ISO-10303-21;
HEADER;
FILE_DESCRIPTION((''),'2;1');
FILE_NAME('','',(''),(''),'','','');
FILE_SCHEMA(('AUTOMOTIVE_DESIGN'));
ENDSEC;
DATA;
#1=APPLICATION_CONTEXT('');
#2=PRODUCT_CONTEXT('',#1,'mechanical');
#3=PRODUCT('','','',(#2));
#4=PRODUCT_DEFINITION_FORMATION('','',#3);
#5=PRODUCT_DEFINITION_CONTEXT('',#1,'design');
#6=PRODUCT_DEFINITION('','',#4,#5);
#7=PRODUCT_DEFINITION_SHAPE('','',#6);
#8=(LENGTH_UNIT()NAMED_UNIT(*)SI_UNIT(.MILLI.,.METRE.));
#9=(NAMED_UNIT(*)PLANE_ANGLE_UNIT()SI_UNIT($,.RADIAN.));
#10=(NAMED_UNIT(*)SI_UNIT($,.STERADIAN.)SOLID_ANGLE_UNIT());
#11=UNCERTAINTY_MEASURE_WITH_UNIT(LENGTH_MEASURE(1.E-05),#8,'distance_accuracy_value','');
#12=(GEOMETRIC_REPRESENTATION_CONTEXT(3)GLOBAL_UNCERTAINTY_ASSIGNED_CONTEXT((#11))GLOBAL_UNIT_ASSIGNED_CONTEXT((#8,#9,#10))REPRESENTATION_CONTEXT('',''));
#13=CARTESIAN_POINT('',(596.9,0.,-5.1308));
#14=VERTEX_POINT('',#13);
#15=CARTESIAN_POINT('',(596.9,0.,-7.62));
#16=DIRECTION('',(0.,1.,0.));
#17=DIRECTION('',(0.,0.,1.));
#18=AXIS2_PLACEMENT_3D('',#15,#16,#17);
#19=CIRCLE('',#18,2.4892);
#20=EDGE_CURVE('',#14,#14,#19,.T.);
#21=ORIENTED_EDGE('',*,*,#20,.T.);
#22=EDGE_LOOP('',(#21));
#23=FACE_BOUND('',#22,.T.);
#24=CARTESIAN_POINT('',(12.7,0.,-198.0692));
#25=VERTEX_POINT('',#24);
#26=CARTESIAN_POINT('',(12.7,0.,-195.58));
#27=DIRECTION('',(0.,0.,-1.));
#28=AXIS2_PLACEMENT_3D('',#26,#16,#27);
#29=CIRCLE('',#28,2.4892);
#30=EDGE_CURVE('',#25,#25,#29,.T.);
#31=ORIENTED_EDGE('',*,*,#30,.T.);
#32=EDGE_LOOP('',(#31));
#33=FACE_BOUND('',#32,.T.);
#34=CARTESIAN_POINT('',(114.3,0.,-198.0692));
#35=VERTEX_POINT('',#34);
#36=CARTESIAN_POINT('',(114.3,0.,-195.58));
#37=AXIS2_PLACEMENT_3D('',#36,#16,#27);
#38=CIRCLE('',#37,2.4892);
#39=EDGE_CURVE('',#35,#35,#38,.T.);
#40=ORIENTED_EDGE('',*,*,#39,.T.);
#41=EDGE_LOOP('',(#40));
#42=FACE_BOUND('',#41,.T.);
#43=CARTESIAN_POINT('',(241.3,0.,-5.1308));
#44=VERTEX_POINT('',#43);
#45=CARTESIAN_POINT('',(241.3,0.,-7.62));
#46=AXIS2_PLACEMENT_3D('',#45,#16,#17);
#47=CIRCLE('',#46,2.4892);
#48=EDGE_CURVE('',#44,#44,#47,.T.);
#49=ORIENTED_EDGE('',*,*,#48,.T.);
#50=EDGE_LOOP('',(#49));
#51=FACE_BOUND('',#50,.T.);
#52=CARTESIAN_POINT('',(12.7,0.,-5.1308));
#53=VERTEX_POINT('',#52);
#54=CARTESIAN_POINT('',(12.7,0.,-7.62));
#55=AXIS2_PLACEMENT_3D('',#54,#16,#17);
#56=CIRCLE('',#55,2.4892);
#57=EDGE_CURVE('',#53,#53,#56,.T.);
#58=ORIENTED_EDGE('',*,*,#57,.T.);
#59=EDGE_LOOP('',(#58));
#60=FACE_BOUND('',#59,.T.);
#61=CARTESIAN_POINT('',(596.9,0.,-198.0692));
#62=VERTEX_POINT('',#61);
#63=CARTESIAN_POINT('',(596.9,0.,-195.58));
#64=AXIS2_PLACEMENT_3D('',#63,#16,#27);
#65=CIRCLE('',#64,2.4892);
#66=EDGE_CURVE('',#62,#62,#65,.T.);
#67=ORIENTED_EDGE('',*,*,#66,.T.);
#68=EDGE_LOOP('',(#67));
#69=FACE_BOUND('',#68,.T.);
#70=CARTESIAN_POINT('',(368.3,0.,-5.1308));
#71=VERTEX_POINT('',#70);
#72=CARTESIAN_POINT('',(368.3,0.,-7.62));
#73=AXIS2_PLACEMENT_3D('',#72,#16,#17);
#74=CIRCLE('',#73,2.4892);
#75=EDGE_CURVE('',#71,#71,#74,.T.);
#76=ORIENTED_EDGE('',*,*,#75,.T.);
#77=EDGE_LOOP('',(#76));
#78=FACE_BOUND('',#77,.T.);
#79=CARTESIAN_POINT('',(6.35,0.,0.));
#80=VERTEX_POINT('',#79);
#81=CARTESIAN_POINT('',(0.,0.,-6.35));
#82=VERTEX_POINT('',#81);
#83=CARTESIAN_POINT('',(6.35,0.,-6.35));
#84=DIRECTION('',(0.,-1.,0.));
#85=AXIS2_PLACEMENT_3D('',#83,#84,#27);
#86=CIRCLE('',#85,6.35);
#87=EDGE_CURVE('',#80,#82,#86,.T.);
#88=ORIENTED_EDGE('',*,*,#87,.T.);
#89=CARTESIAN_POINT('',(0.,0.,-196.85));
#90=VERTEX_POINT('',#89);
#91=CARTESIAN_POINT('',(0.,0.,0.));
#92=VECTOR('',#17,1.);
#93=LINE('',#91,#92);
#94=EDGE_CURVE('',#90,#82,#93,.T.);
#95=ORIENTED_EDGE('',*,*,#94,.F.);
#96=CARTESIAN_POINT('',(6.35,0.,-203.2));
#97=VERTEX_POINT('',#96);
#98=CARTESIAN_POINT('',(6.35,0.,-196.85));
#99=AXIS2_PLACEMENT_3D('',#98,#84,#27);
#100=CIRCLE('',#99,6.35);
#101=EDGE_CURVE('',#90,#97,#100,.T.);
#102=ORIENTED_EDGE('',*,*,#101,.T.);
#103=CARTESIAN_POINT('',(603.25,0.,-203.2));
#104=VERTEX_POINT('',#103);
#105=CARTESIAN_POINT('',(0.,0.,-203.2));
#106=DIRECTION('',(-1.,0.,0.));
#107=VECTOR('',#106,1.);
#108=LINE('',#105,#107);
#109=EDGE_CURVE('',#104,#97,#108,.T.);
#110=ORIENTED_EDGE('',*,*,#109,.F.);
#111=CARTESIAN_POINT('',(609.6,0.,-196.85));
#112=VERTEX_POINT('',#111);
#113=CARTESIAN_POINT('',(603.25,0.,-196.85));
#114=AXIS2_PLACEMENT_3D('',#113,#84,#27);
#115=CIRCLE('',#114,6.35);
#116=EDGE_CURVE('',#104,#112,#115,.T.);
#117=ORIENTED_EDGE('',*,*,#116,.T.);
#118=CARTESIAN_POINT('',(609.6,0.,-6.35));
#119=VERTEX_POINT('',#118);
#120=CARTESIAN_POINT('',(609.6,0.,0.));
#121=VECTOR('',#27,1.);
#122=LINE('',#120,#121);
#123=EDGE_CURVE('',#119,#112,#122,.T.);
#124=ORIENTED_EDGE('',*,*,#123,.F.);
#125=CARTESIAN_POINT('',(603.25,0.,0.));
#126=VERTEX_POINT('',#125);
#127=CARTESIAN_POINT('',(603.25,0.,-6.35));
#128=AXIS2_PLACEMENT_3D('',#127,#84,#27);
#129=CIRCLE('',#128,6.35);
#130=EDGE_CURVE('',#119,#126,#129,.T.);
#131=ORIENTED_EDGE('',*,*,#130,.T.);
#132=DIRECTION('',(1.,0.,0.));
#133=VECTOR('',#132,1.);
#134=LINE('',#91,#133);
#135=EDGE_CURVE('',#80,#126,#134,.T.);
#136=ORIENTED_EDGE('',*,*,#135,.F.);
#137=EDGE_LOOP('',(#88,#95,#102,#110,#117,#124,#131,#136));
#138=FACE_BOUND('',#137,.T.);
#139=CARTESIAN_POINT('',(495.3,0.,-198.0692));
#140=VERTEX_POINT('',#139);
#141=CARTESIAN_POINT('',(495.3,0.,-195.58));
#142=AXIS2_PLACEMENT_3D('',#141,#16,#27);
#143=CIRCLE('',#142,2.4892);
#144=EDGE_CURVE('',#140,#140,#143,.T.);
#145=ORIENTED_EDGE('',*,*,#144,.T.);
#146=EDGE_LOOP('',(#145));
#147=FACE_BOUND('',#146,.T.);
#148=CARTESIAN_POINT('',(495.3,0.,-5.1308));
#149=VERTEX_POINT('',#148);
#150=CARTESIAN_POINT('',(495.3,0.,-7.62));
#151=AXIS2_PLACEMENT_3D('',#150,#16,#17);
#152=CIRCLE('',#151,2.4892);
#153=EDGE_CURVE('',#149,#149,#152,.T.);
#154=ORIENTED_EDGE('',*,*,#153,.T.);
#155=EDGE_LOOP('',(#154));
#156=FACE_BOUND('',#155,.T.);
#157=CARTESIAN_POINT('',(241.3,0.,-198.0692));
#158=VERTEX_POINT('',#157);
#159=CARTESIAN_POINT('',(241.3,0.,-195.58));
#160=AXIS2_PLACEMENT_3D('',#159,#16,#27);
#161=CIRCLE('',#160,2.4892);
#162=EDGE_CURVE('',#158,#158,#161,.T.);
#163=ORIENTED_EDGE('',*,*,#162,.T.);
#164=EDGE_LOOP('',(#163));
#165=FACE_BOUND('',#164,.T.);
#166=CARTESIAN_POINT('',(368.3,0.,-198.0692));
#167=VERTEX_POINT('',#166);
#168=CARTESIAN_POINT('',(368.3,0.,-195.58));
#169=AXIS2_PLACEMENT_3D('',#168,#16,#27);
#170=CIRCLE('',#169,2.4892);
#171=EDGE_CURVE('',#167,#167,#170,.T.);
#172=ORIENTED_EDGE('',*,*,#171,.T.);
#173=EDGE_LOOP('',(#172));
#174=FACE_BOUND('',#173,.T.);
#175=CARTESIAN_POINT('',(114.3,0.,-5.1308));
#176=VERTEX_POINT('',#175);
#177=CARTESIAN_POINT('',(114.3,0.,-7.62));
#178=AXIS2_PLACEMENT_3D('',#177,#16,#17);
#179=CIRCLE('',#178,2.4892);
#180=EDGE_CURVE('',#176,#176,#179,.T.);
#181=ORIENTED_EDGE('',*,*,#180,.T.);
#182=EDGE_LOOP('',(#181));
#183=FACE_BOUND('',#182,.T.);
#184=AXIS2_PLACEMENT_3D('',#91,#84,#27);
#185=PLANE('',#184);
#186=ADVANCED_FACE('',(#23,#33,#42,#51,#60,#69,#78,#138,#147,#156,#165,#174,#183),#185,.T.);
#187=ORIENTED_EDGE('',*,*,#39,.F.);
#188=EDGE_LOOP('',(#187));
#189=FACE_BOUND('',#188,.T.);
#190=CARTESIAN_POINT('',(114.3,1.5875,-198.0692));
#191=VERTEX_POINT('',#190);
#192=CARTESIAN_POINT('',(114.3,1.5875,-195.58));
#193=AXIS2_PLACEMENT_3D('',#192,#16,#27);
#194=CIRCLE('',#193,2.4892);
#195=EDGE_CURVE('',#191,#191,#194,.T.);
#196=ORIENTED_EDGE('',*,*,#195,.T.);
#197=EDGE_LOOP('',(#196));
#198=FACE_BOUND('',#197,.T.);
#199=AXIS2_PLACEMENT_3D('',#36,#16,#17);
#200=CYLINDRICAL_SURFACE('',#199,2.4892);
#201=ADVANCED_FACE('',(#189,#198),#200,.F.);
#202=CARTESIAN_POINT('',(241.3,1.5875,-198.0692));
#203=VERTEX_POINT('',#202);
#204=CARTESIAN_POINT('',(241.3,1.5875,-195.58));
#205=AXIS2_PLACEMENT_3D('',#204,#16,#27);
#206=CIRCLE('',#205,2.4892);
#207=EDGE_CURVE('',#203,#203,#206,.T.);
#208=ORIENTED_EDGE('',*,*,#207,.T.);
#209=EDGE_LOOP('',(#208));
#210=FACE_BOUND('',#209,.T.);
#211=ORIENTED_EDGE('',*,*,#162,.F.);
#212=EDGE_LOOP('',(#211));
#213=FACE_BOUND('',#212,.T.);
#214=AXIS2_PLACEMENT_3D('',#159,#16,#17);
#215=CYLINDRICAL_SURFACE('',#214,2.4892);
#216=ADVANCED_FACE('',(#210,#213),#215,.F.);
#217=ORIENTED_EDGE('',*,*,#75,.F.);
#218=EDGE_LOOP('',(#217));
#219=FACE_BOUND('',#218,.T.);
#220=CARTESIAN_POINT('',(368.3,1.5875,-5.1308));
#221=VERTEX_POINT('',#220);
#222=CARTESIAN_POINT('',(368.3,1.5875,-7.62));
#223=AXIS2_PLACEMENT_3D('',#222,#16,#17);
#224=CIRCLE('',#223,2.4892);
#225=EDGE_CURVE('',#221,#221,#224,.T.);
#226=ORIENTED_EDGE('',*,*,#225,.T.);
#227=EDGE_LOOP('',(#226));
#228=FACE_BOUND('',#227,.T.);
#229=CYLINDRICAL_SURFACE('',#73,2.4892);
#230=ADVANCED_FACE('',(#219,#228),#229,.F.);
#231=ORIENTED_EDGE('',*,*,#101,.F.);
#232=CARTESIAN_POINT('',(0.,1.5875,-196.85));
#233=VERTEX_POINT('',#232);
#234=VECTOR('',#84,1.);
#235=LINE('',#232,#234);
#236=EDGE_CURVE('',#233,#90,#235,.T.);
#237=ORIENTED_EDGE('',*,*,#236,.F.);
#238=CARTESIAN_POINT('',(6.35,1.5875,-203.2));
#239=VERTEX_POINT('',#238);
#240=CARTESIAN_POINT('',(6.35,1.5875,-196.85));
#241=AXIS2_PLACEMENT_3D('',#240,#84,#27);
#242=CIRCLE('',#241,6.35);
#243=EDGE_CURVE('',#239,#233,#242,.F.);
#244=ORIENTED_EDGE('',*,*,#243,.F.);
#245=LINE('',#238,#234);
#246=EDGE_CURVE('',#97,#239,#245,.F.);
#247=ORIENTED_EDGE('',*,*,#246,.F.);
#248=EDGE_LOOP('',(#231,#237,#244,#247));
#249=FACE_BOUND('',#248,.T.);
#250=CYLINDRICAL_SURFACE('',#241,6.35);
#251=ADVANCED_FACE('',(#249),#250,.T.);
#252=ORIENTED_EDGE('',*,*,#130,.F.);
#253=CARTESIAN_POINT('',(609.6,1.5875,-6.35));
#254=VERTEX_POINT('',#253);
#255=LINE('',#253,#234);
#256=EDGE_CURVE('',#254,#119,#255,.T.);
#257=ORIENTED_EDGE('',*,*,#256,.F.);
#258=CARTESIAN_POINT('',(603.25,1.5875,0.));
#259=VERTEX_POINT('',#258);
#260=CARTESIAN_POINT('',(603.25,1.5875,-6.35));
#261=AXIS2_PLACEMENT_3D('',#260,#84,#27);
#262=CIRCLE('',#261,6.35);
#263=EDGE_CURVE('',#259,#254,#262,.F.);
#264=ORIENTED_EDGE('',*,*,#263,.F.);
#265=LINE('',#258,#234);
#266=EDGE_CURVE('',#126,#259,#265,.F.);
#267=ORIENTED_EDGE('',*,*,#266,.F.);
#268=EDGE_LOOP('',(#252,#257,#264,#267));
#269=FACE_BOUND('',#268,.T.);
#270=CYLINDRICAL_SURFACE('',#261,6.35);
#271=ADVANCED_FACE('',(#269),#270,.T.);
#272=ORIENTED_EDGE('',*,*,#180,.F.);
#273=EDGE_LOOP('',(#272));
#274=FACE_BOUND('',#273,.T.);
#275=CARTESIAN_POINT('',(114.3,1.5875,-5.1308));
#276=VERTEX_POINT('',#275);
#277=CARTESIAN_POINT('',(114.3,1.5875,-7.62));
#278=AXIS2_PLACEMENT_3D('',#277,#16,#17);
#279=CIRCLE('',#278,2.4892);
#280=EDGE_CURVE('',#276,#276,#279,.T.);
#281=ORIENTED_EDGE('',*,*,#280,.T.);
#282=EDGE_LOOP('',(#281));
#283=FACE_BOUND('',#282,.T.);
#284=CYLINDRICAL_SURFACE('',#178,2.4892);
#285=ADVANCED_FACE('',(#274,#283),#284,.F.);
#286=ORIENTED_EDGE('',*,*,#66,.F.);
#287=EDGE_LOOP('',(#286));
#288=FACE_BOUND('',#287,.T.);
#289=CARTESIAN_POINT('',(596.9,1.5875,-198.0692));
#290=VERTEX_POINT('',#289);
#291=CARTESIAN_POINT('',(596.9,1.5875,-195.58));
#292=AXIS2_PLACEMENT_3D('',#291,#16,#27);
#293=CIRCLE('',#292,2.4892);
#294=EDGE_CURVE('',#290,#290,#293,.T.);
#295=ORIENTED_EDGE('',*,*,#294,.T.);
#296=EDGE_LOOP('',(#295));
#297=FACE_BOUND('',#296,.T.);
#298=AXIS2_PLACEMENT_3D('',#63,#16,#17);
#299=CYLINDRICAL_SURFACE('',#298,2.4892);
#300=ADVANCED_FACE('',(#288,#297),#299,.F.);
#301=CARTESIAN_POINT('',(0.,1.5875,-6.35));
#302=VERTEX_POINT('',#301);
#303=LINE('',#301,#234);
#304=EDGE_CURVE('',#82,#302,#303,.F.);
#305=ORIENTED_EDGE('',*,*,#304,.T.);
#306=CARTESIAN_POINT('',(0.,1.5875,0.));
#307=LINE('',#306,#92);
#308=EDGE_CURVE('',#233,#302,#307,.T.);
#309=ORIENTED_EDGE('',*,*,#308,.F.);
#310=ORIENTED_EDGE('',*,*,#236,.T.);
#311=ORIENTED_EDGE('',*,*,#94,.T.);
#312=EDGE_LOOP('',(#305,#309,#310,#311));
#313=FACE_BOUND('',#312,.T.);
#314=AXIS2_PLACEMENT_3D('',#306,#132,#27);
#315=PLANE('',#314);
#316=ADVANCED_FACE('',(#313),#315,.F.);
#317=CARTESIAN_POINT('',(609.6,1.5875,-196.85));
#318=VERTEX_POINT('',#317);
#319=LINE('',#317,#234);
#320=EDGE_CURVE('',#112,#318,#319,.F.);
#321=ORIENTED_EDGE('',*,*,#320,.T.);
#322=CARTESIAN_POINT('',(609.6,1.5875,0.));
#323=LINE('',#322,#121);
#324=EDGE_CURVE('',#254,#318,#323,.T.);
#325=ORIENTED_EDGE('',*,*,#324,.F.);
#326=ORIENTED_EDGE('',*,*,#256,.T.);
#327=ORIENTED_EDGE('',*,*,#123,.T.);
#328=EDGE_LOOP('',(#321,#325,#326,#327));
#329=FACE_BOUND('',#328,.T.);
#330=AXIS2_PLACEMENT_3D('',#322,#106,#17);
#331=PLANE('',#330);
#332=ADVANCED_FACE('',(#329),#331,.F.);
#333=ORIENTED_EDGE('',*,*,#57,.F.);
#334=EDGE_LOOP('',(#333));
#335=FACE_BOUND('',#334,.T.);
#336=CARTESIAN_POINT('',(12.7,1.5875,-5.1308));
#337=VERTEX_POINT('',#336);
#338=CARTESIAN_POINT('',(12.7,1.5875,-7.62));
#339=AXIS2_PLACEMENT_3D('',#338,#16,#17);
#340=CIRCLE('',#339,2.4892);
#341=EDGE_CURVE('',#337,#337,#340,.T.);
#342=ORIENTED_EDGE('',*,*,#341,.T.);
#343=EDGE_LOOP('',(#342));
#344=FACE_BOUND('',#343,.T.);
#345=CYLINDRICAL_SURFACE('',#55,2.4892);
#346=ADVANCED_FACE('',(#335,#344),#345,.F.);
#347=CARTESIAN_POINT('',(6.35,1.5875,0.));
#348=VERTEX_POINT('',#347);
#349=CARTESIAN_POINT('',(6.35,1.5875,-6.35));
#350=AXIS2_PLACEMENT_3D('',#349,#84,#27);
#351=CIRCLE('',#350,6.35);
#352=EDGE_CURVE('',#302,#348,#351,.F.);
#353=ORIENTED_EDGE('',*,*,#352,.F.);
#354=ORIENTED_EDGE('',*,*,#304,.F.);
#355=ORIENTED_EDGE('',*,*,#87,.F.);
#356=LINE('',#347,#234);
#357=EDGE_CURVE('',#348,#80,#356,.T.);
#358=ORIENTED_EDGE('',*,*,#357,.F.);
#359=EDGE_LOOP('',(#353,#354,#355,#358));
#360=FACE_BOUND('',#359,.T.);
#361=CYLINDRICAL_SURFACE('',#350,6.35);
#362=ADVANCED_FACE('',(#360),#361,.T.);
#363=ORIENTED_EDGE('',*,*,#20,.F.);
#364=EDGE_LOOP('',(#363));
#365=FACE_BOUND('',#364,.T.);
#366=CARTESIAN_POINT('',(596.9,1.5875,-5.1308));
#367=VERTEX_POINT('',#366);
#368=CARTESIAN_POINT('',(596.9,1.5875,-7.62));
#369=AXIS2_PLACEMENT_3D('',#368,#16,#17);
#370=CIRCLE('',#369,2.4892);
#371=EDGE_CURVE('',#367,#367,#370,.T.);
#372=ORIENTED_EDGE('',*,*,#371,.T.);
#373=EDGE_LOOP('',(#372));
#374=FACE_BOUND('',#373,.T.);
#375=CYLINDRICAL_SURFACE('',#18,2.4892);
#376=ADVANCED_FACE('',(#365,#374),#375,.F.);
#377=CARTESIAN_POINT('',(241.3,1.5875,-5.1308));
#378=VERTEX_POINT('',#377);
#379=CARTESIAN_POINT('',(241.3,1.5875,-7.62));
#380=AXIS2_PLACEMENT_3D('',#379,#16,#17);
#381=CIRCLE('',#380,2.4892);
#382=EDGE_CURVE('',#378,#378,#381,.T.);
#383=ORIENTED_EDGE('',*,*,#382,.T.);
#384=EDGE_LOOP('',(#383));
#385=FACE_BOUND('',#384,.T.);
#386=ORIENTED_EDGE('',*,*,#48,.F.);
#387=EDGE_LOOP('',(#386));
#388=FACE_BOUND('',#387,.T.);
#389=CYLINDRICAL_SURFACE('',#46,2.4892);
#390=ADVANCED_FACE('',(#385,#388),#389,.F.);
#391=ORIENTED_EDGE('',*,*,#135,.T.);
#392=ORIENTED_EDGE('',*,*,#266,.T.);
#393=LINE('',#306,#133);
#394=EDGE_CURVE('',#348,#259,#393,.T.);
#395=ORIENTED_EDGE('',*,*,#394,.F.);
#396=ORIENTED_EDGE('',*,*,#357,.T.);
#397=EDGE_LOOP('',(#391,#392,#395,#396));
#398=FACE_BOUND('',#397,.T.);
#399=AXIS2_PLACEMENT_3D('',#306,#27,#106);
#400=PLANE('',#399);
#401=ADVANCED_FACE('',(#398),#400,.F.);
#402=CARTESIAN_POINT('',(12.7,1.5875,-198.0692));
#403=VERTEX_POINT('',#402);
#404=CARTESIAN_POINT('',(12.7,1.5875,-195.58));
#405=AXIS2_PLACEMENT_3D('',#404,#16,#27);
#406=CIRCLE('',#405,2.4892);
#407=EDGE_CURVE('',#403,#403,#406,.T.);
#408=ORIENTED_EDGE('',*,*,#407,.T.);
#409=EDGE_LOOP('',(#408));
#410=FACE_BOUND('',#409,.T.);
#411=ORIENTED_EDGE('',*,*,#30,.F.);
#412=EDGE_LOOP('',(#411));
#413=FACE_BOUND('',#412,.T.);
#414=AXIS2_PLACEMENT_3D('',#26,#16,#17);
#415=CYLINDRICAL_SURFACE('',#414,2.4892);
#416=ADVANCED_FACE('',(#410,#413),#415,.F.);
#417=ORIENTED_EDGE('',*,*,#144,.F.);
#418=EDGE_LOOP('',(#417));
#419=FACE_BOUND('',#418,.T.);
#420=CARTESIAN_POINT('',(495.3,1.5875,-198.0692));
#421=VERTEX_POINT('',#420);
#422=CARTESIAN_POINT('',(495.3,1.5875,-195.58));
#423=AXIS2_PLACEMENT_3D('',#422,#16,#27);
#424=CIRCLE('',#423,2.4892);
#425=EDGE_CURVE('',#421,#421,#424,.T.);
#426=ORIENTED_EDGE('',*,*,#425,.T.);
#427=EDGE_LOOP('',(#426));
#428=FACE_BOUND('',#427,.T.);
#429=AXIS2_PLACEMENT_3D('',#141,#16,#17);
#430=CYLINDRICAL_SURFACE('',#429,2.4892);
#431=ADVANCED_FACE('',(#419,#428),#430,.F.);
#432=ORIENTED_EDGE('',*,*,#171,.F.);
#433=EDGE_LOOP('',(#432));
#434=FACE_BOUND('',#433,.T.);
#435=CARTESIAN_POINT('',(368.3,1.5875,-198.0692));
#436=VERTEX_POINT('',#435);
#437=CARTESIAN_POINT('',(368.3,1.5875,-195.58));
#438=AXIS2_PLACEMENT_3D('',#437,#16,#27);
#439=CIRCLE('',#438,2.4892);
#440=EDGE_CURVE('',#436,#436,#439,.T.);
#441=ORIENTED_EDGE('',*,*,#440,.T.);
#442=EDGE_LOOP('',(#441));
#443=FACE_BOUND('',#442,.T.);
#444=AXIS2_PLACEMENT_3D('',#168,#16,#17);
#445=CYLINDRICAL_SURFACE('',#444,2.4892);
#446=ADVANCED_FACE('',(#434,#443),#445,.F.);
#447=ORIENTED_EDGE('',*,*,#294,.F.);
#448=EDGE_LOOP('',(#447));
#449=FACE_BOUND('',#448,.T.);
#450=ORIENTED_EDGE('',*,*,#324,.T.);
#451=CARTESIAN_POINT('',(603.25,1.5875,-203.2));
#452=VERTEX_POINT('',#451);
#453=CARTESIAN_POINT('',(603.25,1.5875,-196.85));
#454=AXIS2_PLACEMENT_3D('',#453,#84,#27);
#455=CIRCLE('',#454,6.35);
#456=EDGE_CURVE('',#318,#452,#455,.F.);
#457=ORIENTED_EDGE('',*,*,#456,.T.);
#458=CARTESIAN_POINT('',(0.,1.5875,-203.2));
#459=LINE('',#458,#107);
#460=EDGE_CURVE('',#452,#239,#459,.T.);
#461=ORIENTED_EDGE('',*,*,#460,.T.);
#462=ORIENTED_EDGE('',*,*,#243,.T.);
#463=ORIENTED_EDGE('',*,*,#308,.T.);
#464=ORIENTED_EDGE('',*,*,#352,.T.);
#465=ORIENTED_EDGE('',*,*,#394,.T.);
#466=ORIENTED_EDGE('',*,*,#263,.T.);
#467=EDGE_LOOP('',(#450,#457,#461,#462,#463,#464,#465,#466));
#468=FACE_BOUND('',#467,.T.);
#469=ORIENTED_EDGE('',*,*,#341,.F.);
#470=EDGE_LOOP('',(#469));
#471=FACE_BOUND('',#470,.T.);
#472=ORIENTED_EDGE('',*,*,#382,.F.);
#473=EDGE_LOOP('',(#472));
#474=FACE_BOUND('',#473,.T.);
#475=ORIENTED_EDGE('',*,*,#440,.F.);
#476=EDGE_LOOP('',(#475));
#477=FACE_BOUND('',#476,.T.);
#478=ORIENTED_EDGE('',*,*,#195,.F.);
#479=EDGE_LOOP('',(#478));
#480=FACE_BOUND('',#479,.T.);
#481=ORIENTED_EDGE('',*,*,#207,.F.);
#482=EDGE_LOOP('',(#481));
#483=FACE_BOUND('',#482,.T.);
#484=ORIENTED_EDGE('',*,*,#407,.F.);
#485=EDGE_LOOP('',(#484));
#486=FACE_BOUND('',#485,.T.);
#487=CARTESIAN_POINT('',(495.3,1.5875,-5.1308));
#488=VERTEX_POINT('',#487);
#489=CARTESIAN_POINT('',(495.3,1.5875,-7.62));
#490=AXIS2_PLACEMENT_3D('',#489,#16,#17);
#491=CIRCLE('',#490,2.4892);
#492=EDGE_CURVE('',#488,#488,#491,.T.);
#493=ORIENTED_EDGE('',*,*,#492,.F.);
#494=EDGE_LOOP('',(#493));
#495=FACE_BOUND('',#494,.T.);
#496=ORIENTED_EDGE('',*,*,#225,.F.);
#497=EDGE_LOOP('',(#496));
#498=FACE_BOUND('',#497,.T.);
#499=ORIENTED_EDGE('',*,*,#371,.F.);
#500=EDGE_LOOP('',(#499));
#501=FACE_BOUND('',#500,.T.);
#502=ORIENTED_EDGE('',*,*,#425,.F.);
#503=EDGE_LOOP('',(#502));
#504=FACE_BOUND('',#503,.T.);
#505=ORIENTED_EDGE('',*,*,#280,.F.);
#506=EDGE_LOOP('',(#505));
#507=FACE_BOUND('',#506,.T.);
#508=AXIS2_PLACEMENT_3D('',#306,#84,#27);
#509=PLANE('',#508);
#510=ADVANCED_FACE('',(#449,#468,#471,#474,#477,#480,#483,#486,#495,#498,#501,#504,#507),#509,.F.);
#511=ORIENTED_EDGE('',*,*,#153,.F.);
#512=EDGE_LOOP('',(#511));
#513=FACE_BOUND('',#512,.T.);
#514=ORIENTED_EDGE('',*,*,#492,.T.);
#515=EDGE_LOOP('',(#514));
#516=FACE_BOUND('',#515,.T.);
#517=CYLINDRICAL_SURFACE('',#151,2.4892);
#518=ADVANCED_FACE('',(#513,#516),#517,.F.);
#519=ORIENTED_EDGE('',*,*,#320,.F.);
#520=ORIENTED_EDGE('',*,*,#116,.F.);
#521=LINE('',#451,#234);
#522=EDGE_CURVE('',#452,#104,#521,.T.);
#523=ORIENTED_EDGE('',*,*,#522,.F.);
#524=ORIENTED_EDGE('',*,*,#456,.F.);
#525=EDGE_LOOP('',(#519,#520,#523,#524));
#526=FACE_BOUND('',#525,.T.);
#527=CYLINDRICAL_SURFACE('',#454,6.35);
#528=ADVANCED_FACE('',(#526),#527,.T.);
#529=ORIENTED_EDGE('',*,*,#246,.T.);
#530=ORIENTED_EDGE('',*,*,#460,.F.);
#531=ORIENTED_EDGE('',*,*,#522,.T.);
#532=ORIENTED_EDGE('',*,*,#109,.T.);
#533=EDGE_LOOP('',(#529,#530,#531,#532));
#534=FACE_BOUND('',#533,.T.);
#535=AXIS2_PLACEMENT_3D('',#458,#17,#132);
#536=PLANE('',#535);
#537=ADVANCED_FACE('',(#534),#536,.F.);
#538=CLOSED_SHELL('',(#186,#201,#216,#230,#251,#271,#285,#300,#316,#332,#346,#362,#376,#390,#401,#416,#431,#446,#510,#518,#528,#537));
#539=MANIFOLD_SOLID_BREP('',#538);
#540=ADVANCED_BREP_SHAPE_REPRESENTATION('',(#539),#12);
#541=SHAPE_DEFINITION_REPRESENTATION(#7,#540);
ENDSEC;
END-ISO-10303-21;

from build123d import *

# Parameters (mm, degrees)
SKETCH1_W           = 609.6
SKETCH1_H           = 203.2
BOSS_EXTRUDE1_DEPTH = 1.5875
FILLET1_R           = 6.35
SKETCH2_R           = 2.4892
CUT_EXTRUDE1_DEPTH  = 2.5875


with BuildPart() as part:
    # Sketch1 → Boss-Extrude1 (new body)
    with BuildSketch(Plane(origin=(0, 0, 0), x_dir=(1, 0, 0), z_dir=(0, 1, 0))):
        with Locations((304.8, 101.6)):
            Rectangle(SKETCH1_W, SKETCH1_H)
    extrude(amount=BOSS_EXTRUDE1_DEPTH)

    # Fillet1
    fillet1_edges = [part.edges().sort_by_distance(p)[0] for p in [
        (0, 0.79375, -203.2),
        (609.6, 0.79375, -203.2),
        (609.6, 0.79375, 0),
        (0, 0.79375, 0),
    ]]
    fillet(fillet1_edges, radius=FILLET1_R)

    # Sketch2 → Cut-Extrude1 (cut, through all)
    with BuildSketch(Plane(origin=(0, 1.5875, 0), x_dir=(1, 0, 0), z_dir=(0, 1, 0))):
        with Locations((12.7, 7.62)):
            Circle(SKETCH2_R)
        with Locations((596.9, 7.62)):
            Circle(SKETCH2_R)
        with Locations((114.3, 7.62)):
            Circle(SKETCH2_R)
        with Locations((495.3, 7.62)):
            Circle(SKETCH2_R)
        with Locations((241.3, 7.62)):
            Circle(SKETCH2_R)
        with Locations((368.3, 7.62)):
            Circle(SKETCH2_R)
        with Locations((368.3, 195.58)):
            Circle(SKETCH2_R)
        with Locations((241.3, 195.58)):
            Circle(SKETCH2_R)
        with Locations((495.3, 195.58)):
            Circle(SKETCH2_R)
        with Locations((114.3, 195.58)):
            Circle(SKETCH2_R)
        with Locations((596.9, 195.58)):
            Circle(SKETCH2_R)
        with Locations((12.7, 195.58)):
            Circle(SKETCH2_R)
    extrude(amount=-CUT_EXTRUDE1_DEPTH, mode=Mode.SUBTRACT)


solid = part.part
